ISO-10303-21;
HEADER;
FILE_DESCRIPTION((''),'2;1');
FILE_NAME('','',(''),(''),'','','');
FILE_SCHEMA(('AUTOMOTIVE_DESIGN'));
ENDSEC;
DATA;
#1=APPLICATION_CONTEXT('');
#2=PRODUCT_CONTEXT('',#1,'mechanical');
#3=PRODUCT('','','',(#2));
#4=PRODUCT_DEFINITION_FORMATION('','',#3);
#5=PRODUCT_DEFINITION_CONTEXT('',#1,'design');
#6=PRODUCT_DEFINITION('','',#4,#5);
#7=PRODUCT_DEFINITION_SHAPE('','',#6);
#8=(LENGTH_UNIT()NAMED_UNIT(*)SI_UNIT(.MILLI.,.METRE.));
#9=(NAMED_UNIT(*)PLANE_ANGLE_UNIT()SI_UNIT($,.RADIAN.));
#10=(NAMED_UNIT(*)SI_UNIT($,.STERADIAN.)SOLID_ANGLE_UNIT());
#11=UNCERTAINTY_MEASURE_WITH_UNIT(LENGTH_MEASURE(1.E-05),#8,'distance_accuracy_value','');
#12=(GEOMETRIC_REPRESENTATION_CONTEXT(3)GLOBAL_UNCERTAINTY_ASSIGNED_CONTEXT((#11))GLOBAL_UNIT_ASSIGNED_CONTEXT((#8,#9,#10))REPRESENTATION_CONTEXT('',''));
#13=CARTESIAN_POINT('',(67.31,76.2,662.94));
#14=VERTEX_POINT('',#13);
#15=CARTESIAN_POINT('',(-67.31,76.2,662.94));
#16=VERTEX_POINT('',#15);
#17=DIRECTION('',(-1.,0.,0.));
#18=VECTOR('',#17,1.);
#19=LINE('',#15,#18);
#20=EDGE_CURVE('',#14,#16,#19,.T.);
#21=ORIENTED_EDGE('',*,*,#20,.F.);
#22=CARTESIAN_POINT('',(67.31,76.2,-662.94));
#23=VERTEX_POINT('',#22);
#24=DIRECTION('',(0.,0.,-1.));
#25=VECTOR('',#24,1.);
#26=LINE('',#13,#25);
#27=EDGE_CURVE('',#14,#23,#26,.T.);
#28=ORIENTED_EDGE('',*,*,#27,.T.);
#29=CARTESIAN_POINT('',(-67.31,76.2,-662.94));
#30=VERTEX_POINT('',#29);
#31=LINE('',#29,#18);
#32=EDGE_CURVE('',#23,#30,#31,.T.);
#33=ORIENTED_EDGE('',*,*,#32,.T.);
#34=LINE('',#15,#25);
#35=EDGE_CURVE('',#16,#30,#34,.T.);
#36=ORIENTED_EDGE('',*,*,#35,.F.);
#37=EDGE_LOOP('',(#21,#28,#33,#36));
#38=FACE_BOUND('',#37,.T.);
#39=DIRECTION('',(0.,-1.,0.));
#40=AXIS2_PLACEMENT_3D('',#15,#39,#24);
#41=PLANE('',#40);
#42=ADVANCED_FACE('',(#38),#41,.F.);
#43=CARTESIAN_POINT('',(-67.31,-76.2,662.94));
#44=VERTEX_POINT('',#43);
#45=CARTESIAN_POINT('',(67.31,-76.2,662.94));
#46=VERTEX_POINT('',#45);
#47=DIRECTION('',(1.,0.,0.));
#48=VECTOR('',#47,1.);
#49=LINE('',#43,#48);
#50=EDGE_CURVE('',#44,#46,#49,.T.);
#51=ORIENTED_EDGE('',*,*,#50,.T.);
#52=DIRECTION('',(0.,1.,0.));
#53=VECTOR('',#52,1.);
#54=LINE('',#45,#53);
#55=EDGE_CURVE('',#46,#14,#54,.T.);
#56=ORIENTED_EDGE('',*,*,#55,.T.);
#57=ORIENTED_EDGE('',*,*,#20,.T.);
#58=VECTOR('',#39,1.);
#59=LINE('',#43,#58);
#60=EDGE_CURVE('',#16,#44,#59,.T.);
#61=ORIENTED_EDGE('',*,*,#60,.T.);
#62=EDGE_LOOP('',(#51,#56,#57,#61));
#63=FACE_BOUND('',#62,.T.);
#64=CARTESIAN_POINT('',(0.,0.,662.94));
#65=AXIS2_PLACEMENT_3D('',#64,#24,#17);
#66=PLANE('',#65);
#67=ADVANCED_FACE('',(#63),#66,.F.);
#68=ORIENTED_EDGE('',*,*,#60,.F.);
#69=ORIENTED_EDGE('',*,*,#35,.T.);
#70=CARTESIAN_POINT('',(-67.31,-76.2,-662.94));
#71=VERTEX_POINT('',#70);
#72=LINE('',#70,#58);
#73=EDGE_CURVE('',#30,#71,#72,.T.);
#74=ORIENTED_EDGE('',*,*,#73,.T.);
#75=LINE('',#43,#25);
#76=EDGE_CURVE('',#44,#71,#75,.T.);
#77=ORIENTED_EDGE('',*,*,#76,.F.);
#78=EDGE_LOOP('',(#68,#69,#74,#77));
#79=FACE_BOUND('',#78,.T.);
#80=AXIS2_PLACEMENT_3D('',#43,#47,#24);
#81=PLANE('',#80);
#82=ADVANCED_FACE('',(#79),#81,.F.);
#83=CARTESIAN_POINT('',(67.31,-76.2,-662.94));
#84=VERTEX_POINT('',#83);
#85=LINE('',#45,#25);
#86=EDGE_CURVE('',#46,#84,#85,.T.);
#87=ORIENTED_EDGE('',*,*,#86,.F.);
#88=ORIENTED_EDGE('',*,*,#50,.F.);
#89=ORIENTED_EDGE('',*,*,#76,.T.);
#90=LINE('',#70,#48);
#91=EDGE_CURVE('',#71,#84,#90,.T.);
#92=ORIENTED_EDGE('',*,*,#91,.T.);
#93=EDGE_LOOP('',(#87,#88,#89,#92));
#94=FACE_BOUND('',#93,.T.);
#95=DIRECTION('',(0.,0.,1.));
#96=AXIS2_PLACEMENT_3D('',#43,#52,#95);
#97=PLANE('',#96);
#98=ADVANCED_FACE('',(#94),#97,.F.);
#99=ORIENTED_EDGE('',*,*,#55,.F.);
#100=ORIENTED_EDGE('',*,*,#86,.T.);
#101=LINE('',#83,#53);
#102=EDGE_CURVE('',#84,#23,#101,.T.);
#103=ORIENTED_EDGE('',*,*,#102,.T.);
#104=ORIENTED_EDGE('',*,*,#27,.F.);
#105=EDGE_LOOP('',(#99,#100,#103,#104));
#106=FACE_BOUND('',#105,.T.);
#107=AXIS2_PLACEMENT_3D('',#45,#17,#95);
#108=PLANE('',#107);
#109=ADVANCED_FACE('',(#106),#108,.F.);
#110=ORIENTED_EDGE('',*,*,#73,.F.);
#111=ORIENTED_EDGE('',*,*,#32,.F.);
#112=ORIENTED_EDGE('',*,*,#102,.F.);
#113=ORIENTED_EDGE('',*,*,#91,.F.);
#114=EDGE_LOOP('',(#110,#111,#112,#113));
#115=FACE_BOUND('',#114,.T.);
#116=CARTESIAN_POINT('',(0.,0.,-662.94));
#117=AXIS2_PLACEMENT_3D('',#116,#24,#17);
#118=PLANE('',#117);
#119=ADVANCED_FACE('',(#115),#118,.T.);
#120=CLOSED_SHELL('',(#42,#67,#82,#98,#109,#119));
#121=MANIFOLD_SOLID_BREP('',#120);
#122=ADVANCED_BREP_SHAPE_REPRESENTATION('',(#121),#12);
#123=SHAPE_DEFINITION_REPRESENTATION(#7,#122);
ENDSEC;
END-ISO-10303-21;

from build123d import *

# Parameters (mm, degrees)
BATTERY_PACK_CROSS_SECTION_W = 134.62
BATTERY_PACK_CROSS_SECTION_H = 152.4
BATTERY_PACK_DEPTH           = 662.94


with BuildPart() as part:
    # Battery Pack Cross Section → Battery Pack (new body, symmetric)
    with BuildSketch(Plane.XY):
        Rectangle(BATTERY_PACK_CROSS_SECTION_W, BATTERY_PACK_CROSS_SECTION_H)
    extrude(amount=BATTERY_PACK_DEPTH, both=True)


solid = part.part
